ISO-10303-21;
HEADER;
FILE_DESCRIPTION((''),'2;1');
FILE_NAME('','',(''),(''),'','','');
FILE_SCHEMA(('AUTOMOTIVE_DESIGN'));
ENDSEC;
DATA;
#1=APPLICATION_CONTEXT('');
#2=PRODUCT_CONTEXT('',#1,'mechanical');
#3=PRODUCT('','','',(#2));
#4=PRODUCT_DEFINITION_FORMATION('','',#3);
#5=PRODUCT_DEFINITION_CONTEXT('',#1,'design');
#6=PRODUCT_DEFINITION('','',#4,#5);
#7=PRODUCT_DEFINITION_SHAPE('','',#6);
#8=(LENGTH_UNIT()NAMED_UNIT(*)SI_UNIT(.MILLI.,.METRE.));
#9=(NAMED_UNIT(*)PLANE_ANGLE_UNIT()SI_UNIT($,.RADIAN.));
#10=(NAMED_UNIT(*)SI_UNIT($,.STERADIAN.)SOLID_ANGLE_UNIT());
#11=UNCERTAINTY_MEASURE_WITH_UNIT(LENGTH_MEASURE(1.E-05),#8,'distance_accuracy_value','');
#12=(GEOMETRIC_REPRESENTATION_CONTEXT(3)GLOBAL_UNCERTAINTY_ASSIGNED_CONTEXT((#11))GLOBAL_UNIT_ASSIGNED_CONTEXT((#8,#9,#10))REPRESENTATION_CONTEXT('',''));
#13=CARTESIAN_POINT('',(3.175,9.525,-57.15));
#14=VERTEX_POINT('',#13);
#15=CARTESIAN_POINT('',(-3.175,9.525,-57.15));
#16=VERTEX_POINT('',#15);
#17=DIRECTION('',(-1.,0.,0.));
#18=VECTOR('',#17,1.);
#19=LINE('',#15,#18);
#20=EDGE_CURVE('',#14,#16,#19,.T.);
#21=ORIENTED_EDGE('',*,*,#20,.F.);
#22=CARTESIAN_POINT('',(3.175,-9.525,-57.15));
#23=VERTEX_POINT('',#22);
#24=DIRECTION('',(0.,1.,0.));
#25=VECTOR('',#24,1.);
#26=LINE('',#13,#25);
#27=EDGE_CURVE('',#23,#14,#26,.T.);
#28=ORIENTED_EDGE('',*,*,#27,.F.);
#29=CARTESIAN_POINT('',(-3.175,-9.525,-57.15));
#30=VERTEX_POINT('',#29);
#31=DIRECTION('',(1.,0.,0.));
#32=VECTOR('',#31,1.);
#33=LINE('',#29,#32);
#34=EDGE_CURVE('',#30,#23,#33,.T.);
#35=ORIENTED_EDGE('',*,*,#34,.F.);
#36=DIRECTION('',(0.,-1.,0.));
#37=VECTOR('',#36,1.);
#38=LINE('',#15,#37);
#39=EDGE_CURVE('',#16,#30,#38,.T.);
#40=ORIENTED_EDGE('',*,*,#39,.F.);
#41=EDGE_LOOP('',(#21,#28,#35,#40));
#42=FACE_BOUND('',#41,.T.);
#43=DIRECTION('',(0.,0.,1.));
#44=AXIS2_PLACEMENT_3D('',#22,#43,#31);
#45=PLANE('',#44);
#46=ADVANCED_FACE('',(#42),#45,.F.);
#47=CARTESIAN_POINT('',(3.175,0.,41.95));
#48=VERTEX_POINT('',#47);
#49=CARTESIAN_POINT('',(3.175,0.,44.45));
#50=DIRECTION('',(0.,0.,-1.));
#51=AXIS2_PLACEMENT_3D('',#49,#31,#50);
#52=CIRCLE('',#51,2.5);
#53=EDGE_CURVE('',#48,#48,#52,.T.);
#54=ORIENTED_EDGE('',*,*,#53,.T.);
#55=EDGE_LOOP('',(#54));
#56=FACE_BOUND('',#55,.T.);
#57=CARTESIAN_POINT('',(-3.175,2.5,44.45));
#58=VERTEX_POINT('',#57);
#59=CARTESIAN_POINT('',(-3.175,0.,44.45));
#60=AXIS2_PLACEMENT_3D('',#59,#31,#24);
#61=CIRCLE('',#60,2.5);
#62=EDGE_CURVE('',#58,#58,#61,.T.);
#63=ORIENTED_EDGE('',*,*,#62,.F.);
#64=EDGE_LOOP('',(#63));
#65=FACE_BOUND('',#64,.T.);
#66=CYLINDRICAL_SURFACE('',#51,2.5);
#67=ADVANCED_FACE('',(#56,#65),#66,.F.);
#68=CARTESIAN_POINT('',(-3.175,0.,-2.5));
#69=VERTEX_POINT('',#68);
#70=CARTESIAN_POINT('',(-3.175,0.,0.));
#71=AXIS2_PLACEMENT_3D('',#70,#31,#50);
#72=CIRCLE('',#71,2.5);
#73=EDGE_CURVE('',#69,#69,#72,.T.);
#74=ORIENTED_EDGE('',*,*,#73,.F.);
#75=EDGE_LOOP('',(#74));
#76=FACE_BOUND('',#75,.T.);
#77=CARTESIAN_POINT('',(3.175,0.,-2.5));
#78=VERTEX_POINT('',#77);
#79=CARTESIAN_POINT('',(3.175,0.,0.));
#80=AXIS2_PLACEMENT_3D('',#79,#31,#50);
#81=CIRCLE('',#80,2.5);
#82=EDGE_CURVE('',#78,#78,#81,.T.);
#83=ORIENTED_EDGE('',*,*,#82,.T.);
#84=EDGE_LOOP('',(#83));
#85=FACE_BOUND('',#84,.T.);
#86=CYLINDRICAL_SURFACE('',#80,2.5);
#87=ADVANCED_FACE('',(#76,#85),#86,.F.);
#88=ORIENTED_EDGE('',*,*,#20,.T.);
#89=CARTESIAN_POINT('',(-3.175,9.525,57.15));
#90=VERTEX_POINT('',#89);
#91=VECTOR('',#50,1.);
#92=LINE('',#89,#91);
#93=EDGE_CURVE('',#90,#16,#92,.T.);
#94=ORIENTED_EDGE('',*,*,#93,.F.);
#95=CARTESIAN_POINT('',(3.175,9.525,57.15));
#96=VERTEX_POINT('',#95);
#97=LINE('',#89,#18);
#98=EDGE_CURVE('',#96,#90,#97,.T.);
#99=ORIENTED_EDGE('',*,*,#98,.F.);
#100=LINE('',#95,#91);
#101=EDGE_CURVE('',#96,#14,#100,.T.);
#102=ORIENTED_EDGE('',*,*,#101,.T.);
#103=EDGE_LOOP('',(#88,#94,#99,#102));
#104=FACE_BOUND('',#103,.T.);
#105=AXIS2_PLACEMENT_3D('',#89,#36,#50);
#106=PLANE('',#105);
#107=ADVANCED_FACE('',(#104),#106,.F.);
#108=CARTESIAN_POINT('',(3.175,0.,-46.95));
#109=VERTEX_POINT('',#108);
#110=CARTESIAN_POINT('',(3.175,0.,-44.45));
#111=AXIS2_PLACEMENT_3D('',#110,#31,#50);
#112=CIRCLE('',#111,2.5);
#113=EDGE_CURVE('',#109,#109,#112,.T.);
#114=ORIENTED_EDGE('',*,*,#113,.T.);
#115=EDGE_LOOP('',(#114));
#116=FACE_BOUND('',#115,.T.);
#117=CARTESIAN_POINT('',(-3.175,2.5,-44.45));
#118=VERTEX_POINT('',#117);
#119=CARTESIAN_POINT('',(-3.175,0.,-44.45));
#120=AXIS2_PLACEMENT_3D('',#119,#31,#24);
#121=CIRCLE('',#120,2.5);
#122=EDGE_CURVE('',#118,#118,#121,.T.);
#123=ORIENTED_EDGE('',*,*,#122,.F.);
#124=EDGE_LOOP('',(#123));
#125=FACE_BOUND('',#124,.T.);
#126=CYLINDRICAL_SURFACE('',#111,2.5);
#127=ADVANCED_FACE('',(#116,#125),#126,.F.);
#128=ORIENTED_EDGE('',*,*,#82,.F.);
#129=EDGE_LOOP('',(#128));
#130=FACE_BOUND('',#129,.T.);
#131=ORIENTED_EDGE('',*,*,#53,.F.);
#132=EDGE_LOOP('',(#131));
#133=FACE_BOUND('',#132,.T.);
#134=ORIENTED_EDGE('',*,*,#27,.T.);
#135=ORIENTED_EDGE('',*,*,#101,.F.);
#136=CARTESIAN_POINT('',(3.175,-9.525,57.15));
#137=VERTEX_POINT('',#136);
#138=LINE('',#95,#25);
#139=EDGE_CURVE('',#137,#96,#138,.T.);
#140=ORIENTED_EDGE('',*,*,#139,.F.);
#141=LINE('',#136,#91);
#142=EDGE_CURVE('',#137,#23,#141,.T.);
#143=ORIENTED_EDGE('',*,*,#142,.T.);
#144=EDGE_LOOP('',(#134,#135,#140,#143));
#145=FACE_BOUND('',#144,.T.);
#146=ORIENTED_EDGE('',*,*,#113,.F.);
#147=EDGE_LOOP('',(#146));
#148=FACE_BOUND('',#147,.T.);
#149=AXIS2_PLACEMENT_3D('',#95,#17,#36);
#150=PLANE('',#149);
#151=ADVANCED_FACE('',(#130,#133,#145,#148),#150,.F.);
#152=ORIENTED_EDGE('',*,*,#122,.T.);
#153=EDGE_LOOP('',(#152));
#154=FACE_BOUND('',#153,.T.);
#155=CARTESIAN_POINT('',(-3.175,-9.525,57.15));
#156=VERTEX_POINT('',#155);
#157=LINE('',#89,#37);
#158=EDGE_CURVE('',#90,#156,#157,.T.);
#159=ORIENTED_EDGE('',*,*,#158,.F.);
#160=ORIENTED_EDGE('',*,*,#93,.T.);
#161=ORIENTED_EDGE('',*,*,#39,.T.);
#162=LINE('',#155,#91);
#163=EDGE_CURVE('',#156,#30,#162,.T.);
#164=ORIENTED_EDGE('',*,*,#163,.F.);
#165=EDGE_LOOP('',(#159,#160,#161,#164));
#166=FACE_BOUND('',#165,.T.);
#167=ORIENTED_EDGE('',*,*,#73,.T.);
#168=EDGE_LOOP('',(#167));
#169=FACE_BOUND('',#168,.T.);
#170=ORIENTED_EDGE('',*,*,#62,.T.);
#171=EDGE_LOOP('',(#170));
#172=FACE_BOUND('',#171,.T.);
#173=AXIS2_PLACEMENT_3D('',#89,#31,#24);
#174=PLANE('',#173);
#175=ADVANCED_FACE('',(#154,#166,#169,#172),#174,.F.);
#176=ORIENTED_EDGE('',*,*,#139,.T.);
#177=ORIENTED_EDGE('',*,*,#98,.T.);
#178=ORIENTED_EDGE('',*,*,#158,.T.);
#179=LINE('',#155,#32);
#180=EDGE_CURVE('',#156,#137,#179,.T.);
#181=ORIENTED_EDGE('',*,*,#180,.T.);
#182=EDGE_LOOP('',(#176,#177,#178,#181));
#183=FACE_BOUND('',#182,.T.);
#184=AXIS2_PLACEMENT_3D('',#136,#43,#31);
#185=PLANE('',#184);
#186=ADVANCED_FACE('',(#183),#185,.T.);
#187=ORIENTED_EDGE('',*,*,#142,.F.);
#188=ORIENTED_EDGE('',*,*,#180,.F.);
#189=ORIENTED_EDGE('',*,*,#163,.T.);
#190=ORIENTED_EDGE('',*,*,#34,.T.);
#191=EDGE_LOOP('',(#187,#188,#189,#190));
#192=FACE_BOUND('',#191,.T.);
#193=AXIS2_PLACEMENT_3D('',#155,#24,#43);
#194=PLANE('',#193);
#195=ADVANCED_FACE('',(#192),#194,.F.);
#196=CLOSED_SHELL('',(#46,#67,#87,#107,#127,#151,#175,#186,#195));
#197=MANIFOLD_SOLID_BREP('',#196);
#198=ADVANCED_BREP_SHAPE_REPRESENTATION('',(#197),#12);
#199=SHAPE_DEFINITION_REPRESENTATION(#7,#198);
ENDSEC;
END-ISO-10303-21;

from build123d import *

# Parameters (mm, degrees)
SKETCH1_W                 = 6.35
SKETCH1_H                 = 19.05
EXTRUDE1_DEPTH            = 57.15
M6X1_0_TAPPED_HOLE1_D     = 5
M6X1_0_TAPPED_HOLE1_DEPTH = 6.35
M6X1_0_TAPPED_HOLE2_D     = 5


with BuildPart() as part:
    # Sketch1 → Extrude1 (new body, symmetric)
    with BuildSketch(Plane.XY):
        Rectangle(SKETCH1_W, SKETCH1_H)
    extrude(amount=EXTRUDE1_DEPTH, both=True)

    # M6x1.0 Tapped Hole1
    with Locations(Plane(origin=(3.175, 0, 0), x_dir=(0, 0, -1), z_dir=(1, 0, 0))):
        with Locations((-44.45, 0), (44.45, 0)):
            Hole(M6X1_0_TAPPED_HOLE1_D / 2, depth=M6X1_0_TAPPED_HOLE1_DEPTH)

    # M6x1.0 Tapped Hole2 (through all)
    with Locations(Plane(origin=(3.175, 0, 0), x_dir=(0, 0, -1), z_dir=(1, 0, 0))):
        with Locations((0, 0)):
            Hole(M6X1_0_TAPPED_HOLE2_D / 2)


solid = part.part
